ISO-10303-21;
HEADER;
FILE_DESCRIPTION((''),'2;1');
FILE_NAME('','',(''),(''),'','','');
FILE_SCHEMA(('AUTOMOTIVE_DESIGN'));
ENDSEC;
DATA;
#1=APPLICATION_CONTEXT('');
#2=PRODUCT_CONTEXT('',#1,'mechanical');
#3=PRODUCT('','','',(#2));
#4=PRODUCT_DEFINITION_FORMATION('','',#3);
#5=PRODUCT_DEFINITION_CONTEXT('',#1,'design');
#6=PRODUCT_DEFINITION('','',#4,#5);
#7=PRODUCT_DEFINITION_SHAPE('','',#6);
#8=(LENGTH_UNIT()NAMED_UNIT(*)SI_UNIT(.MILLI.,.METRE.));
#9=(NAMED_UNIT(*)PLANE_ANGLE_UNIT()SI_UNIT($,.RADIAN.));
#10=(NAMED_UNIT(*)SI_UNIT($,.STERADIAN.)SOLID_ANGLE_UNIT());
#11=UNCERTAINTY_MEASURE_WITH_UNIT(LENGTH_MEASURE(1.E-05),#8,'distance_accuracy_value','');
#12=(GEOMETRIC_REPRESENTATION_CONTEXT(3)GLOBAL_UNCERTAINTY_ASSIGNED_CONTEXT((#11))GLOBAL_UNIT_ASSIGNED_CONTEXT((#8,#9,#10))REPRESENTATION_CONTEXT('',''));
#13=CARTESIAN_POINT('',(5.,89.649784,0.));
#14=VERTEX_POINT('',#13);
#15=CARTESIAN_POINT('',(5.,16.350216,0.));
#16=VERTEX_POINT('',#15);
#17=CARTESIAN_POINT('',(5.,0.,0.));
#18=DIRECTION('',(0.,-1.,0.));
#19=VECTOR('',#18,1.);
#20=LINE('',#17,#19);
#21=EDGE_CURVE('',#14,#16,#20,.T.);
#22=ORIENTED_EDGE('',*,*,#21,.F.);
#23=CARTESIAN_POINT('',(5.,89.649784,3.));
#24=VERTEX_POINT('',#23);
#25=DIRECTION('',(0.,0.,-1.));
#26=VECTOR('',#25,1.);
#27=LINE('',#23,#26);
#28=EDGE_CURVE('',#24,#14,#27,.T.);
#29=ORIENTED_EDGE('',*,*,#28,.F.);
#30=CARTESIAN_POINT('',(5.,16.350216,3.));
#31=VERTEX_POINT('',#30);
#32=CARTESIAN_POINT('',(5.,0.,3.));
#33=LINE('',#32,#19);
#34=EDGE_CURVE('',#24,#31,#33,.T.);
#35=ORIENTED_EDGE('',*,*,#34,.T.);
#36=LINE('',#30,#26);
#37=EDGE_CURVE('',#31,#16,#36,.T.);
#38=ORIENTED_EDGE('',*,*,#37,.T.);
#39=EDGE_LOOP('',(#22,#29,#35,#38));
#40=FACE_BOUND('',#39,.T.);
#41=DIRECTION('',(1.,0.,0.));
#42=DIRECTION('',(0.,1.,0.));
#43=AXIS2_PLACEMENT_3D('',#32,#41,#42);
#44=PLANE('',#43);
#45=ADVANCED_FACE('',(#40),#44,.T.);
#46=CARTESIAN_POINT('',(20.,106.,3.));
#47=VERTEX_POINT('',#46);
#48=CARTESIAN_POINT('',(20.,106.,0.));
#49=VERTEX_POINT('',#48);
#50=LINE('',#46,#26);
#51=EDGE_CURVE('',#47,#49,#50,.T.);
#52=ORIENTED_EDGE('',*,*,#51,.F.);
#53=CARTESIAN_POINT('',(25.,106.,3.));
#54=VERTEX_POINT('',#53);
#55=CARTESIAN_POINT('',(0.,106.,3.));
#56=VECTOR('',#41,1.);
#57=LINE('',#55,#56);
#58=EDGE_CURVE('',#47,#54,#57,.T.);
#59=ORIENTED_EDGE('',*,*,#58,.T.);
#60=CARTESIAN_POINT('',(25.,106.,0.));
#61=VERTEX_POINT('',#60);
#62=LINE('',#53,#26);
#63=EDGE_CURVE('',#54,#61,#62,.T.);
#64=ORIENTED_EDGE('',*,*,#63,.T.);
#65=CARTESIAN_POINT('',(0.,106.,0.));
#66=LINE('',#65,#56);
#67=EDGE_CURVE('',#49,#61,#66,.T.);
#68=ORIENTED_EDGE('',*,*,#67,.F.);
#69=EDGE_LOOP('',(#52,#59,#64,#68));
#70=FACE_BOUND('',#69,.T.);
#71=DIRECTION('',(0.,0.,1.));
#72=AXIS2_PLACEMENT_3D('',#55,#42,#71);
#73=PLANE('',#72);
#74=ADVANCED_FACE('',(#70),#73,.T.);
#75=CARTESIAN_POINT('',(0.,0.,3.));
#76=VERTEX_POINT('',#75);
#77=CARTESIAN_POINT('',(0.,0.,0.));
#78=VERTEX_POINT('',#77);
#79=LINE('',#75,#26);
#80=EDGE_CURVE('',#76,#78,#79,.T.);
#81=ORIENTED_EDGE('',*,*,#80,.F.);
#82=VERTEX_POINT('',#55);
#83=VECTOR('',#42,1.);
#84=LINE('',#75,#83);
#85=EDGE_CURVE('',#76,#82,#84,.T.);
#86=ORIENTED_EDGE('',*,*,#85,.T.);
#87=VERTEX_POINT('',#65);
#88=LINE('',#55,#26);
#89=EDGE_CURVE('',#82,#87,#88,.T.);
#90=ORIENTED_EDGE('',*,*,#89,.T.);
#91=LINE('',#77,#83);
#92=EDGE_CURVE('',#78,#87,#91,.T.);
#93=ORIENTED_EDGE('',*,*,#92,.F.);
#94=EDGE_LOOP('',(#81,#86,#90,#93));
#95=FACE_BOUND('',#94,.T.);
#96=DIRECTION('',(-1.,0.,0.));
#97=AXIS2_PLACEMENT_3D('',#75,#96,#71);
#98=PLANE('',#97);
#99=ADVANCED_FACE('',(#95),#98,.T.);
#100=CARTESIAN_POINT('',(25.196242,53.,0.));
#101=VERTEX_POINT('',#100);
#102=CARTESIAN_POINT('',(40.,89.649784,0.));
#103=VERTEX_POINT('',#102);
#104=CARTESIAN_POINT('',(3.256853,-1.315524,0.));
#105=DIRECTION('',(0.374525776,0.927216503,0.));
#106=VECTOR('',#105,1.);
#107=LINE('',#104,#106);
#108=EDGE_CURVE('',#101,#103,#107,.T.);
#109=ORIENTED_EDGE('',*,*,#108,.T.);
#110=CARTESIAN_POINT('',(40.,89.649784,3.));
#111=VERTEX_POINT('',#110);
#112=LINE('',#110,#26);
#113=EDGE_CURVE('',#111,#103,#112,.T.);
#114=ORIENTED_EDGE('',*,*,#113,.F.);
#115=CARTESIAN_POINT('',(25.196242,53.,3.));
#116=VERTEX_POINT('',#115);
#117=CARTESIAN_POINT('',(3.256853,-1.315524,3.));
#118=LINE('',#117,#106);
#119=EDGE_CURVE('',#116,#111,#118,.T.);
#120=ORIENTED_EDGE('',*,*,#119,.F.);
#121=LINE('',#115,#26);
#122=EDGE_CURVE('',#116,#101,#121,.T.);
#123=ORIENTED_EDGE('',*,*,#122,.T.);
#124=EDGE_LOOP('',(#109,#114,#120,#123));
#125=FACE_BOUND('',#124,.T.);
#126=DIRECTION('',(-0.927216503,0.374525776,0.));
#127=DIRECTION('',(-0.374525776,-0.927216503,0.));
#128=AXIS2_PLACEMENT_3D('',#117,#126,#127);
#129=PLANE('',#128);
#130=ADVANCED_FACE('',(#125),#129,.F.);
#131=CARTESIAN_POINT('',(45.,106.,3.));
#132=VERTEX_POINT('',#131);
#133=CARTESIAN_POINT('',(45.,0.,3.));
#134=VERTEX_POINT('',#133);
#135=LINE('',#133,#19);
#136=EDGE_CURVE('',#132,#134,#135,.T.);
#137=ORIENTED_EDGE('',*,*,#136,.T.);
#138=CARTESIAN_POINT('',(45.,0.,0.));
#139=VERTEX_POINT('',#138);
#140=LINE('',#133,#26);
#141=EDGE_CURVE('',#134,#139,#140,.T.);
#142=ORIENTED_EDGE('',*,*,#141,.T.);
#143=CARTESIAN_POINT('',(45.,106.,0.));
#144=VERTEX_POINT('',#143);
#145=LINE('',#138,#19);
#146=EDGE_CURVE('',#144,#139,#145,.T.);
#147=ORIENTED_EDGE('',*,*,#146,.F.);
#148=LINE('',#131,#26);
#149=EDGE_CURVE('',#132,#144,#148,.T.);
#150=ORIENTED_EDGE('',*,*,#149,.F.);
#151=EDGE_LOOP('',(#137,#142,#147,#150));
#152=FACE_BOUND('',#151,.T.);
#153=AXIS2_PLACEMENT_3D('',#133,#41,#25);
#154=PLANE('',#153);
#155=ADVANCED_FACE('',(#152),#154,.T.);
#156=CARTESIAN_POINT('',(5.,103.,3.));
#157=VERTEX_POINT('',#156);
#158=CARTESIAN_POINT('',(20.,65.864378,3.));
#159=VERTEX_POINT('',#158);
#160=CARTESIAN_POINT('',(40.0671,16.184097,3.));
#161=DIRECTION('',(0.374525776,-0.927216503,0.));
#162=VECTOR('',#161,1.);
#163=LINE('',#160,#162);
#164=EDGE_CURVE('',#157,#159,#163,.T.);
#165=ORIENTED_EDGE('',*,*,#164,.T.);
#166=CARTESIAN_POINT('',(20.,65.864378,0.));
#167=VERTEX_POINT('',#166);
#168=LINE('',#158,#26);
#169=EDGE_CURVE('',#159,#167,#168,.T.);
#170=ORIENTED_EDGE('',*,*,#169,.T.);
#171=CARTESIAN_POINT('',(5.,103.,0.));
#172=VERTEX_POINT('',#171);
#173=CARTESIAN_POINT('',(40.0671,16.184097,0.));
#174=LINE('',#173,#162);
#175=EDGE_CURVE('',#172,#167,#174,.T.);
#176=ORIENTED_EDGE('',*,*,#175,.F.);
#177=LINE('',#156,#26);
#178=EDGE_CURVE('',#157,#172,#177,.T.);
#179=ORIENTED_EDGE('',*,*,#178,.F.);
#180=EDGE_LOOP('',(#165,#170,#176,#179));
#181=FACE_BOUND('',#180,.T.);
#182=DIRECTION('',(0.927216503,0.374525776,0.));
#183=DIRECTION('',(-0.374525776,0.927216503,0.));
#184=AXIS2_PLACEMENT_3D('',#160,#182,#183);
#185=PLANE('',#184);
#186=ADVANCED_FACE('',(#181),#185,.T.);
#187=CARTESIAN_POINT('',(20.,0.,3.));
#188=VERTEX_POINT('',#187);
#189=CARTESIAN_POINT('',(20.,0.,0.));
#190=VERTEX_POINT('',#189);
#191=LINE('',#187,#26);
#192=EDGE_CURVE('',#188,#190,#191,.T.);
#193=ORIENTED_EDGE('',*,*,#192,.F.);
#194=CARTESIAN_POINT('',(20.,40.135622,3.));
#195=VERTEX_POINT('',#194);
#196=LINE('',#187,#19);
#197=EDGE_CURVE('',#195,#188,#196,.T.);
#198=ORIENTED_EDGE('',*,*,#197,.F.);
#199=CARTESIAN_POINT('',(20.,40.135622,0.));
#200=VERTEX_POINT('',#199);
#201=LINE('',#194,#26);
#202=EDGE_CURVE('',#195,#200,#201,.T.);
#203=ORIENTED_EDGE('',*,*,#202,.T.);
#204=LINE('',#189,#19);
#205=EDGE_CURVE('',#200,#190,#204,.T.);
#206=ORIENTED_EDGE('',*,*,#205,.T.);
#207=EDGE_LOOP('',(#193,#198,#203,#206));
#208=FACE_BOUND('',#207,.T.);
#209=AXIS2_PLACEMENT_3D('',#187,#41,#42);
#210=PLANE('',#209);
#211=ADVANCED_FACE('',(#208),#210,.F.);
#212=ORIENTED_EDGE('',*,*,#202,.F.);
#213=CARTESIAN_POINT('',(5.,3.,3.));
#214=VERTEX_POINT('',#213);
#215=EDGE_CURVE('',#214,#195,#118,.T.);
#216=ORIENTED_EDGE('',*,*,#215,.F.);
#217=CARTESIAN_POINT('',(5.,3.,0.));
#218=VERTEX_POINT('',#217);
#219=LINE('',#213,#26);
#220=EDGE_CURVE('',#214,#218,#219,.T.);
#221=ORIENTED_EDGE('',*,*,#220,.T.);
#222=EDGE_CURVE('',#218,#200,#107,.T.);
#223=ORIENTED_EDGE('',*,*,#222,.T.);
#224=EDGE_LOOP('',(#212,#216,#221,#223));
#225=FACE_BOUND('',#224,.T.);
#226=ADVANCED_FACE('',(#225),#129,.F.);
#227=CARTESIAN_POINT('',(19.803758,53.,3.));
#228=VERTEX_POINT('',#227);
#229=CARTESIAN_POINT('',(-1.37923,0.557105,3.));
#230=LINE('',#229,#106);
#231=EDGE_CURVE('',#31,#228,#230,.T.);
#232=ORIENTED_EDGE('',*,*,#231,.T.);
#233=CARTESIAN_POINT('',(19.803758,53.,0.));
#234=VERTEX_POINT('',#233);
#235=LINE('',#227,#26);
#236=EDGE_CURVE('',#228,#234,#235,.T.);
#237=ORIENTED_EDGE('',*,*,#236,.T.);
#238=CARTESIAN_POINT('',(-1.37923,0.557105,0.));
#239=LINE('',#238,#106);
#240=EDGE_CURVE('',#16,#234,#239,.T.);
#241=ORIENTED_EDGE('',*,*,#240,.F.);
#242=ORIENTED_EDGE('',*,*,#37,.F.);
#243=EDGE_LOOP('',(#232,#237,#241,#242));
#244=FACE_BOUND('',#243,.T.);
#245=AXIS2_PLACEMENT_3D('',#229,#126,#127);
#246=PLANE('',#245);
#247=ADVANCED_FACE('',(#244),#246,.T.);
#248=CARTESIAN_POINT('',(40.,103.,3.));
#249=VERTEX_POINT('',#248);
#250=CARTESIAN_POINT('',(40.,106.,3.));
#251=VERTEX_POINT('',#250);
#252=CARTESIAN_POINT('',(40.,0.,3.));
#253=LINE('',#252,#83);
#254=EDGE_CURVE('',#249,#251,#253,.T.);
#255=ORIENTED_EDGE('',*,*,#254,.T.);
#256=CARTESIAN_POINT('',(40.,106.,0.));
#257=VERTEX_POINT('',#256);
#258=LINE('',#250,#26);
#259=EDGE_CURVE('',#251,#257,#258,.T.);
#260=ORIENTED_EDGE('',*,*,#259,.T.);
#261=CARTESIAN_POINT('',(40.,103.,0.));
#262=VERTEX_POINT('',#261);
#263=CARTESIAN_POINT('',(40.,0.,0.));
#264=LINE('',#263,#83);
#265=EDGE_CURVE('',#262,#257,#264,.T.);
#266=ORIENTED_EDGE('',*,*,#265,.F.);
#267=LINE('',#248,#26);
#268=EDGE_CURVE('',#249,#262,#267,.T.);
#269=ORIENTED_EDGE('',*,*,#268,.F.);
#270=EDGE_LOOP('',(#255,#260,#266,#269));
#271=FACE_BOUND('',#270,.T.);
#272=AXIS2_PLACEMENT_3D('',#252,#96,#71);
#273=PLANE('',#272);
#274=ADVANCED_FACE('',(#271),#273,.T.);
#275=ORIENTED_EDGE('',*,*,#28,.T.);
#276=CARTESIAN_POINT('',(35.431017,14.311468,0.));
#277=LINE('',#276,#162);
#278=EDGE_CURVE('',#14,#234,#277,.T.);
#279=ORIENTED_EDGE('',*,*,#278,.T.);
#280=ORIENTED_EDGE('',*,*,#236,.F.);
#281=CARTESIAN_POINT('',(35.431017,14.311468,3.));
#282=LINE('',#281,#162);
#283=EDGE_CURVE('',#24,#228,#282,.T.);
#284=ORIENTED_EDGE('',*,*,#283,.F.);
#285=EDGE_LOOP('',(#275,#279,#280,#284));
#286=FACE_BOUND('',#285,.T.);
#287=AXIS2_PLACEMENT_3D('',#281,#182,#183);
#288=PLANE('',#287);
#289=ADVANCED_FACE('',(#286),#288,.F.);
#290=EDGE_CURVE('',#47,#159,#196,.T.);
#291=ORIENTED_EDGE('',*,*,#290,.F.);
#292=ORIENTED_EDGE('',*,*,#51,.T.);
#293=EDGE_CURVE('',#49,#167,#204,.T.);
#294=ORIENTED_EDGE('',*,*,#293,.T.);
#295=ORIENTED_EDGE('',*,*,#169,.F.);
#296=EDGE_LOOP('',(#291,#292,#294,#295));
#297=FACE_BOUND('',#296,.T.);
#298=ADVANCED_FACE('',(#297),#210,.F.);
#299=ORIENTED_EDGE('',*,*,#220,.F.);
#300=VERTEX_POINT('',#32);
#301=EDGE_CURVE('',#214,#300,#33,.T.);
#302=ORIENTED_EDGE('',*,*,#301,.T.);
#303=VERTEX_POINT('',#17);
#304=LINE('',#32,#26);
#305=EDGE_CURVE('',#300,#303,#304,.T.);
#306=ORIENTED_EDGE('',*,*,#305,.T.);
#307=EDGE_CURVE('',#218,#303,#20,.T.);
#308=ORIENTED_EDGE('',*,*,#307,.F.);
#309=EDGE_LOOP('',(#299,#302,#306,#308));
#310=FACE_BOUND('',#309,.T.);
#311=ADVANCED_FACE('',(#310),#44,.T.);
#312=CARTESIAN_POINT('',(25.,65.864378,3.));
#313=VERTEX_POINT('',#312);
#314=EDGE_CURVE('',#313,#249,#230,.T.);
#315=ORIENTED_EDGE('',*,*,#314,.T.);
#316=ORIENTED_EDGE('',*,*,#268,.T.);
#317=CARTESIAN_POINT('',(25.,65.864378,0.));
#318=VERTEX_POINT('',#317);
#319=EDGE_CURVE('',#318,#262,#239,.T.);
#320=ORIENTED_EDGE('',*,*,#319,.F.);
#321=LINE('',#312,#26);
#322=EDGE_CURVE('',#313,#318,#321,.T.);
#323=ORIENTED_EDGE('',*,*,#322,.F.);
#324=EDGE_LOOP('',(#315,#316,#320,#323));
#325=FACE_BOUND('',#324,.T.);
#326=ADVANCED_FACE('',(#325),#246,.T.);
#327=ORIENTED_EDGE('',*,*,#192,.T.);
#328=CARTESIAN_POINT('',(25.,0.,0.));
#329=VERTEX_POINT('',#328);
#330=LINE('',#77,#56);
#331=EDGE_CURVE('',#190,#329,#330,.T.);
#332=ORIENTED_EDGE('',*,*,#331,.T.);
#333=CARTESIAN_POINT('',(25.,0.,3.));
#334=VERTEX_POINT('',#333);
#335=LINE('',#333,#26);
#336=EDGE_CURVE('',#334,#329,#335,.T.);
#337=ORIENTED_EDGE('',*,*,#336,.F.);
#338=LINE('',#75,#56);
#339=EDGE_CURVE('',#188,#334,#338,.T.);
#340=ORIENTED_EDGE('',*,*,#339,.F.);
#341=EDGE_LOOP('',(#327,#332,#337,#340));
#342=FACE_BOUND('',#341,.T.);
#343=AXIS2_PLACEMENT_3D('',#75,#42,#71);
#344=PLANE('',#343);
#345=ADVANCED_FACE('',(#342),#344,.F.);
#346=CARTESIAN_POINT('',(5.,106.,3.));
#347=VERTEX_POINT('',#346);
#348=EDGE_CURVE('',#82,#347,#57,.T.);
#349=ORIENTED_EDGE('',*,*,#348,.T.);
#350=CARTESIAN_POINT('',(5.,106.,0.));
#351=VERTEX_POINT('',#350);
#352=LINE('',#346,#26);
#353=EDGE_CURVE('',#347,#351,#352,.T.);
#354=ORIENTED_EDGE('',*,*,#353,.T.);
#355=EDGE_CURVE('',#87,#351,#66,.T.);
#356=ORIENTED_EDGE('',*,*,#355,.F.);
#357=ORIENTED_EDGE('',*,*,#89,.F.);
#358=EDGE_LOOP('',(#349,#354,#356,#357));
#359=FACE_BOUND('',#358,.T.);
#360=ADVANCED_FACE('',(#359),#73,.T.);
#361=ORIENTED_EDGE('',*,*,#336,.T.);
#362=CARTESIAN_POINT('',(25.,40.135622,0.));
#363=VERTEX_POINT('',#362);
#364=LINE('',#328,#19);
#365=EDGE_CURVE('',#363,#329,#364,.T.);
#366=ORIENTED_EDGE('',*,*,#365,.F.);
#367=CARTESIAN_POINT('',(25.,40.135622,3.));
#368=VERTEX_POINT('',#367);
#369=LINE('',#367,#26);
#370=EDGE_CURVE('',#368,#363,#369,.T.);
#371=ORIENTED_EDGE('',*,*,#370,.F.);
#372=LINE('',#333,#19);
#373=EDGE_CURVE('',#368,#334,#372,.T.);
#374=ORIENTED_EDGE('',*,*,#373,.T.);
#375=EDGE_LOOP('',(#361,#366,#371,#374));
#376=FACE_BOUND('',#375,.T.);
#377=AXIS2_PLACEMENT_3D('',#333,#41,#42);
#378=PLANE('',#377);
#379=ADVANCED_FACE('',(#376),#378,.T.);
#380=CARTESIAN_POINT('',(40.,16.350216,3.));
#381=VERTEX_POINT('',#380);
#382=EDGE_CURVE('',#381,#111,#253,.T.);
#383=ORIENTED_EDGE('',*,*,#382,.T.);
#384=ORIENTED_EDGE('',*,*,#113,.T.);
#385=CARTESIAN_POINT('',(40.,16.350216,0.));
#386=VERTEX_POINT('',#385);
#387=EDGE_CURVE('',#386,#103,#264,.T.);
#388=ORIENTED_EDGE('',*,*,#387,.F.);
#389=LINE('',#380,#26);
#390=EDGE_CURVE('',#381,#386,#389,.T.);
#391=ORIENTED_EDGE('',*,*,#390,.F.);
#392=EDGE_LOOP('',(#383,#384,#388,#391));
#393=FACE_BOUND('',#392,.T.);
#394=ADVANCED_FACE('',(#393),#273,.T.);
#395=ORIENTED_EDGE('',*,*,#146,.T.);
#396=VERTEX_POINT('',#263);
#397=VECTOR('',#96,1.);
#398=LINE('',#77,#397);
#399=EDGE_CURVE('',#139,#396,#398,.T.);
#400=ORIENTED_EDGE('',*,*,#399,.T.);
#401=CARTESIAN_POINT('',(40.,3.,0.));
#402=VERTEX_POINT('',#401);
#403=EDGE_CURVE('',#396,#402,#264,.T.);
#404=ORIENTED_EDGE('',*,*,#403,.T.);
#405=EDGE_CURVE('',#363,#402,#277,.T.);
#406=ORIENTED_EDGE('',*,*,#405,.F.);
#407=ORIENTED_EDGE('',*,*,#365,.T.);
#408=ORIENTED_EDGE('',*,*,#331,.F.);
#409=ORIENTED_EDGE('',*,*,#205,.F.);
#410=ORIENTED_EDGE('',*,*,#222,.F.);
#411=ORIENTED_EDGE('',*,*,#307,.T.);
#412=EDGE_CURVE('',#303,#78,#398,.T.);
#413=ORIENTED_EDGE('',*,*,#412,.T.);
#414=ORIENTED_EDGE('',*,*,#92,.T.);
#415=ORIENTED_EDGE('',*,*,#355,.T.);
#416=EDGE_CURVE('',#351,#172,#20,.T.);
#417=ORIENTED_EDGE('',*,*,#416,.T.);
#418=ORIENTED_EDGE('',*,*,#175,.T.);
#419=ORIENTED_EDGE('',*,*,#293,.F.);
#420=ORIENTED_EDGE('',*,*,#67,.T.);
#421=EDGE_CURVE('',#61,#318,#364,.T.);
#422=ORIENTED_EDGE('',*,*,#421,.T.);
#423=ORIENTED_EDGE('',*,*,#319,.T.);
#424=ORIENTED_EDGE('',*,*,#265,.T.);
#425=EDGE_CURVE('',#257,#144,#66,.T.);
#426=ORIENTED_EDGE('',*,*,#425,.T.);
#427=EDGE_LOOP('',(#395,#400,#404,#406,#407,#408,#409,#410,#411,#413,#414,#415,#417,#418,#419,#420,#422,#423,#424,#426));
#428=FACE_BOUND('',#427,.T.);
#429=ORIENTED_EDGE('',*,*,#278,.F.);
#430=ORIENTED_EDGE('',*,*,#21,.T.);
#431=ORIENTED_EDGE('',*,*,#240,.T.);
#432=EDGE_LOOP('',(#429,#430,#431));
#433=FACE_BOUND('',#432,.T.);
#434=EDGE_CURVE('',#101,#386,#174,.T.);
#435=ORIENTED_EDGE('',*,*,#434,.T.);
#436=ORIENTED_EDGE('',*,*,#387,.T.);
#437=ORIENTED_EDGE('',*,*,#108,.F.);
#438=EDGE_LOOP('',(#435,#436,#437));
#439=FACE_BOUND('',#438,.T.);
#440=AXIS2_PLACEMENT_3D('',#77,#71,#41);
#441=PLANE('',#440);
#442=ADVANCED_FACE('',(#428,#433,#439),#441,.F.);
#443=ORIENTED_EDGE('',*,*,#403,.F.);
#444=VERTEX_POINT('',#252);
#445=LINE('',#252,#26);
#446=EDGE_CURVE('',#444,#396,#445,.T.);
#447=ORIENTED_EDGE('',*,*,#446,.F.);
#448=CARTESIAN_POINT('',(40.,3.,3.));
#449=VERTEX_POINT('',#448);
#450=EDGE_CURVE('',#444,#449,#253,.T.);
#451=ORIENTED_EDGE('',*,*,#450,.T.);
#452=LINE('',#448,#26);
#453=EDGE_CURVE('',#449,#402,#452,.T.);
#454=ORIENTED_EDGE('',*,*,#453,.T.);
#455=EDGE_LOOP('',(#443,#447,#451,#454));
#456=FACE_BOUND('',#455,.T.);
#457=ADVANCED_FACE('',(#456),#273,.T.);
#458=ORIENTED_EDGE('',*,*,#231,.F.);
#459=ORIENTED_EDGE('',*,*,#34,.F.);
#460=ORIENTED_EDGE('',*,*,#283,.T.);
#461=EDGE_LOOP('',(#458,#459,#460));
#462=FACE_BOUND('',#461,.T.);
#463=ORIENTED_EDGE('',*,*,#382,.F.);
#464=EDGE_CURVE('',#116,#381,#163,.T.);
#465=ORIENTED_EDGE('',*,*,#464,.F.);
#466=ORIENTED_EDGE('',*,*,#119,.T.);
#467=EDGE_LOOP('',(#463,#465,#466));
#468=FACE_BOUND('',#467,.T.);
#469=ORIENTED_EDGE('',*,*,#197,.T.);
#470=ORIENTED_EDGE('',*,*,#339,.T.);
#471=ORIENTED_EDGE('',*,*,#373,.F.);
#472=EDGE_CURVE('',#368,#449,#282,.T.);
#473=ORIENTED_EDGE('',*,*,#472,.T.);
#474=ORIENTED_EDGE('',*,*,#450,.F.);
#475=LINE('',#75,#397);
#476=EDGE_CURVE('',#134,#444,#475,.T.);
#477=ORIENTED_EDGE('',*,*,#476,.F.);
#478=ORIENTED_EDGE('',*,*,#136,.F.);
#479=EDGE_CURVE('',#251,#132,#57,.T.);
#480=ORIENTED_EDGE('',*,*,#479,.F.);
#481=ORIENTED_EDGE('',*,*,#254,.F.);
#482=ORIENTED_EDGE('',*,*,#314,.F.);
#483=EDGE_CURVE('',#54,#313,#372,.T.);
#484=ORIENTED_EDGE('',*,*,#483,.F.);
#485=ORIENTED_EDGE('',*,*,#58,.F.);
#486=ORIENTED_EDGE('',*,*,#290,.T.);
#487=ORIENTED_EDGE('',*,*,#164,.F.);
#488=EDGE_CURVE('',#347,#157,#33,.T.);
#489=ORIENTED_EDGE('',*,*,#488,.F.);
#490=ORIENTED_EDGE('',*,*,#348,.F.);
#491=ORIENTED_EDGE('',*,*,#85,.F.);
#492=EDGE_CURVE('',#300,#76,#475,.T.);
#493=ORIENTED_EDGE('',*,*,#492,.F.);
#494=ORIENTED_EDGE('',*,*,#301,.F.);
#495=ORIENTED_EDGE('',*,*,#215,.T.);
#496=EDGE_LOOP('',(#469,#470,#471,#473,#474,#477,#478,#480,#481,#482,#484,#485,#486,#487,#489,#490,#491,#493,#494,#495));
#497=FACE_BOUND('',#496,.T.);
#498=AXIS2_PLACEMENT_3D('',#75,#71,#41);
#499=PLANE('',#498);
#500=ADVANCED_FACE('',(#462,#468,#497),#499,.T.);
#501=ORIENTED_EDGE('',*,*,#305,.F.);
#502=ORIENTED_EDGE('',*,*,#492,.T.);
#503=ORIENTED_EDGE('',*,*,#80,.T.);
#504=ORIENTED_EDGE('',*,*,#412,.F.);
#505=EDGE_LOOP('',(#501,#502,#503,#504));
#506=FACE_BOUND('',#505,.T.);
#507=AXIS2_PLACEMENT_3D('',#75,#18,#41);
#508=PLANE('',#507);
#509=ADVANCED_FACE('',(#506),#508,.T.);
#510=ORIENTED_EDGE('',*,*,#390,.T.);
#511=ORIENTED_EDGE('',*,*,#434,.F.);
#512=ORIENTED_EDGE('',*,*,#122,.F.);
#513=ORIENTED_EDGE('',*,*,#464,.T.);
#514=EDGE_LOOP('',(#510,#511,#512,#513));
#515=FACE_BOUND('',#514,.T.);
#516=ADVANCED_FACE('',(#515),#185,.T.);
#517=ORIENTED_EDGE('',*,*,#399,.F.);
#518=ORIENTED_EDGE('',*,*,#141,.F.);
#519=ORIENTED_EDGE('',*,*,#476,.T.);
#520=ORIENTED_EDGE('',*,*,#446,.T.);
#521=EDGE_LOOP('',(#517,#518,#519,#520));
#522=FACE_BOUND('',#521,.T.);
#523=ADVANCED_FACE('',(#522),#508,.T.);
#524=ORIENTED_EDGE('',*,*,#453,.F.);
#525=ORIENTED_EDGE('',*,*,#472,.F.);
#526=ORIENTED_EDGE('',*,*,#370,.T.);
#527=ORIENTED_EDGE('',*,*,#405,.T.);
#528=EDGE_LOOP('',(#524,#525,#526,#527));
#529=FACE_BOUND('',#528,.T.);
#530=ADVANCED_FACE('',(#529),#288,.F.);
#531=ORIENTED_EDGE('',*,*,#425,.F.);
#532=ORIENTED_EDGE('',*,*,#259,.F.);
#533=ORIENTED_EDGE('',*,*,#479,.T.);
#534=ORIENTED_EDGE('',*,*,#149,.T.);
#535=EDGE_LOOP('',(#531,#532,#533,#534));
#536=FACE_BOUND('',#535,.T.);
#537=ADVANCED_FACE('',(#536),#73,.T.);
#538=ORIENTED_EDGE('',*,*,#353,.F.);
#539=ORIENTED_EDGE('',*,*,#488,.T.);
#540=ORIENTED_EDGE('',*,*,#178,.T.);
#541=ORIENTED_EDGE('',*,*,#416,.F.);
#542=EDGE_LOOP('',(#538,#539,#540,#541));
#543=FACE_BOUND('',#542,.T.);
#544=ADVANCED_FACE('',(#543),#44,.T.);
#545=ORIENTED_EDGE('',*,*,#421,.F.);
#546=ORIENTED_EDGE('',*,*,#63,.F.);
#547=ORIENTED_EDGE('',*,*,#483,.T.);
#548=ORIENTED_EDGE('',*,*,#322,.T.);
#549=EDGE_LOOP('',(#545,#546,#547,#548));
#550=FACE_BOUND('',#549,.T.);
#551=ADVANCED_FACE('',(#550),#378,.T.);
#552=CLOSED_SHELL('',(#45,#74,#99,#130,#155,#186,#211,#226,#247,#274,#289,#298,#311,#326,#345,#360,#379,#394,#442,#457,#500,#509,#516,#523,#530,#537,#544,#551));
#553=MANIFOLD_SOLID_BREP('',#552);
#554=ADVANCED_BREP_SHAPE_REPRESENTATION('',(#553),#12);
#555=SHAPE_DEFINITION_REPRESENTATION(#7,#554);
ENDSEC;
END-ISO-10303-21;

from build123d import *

# Parameters (mm, degrees)
BOSS_EXTRUDE1_DEPTH = 3


with BuildPart() as part:
    # Sketch1 → Boss-Extrude1 (new body)
    with BuildSketch(Plane.XY):
        Polygon((25, 106), (20, 106), (20, 65.864378278), (5, 103), (5, 106), (0, 106), (0, 0), (5, 0), (5, 3), (20, 40.135621722), (20, 0), (25, 0), (25, 40.135621722), (40, 3), (40, 0), (45, 0), (45, 106), (40, 106), (40, 103), (25, 65.864378278), align=None)
        Polygon((40, 16.350215981), (25.196241916, 53), (40, 89.649784019), align=None, mode=Mode.SUBTRACT)
        Polygon((19.803758084, 53), (5, 16.350215981), (5, 89.649784019), align=None, mode=Mode.SUBTRACT)
    extrude(amount=BOSS_EXTRUDE1_DEPTH)


solid = part.part
